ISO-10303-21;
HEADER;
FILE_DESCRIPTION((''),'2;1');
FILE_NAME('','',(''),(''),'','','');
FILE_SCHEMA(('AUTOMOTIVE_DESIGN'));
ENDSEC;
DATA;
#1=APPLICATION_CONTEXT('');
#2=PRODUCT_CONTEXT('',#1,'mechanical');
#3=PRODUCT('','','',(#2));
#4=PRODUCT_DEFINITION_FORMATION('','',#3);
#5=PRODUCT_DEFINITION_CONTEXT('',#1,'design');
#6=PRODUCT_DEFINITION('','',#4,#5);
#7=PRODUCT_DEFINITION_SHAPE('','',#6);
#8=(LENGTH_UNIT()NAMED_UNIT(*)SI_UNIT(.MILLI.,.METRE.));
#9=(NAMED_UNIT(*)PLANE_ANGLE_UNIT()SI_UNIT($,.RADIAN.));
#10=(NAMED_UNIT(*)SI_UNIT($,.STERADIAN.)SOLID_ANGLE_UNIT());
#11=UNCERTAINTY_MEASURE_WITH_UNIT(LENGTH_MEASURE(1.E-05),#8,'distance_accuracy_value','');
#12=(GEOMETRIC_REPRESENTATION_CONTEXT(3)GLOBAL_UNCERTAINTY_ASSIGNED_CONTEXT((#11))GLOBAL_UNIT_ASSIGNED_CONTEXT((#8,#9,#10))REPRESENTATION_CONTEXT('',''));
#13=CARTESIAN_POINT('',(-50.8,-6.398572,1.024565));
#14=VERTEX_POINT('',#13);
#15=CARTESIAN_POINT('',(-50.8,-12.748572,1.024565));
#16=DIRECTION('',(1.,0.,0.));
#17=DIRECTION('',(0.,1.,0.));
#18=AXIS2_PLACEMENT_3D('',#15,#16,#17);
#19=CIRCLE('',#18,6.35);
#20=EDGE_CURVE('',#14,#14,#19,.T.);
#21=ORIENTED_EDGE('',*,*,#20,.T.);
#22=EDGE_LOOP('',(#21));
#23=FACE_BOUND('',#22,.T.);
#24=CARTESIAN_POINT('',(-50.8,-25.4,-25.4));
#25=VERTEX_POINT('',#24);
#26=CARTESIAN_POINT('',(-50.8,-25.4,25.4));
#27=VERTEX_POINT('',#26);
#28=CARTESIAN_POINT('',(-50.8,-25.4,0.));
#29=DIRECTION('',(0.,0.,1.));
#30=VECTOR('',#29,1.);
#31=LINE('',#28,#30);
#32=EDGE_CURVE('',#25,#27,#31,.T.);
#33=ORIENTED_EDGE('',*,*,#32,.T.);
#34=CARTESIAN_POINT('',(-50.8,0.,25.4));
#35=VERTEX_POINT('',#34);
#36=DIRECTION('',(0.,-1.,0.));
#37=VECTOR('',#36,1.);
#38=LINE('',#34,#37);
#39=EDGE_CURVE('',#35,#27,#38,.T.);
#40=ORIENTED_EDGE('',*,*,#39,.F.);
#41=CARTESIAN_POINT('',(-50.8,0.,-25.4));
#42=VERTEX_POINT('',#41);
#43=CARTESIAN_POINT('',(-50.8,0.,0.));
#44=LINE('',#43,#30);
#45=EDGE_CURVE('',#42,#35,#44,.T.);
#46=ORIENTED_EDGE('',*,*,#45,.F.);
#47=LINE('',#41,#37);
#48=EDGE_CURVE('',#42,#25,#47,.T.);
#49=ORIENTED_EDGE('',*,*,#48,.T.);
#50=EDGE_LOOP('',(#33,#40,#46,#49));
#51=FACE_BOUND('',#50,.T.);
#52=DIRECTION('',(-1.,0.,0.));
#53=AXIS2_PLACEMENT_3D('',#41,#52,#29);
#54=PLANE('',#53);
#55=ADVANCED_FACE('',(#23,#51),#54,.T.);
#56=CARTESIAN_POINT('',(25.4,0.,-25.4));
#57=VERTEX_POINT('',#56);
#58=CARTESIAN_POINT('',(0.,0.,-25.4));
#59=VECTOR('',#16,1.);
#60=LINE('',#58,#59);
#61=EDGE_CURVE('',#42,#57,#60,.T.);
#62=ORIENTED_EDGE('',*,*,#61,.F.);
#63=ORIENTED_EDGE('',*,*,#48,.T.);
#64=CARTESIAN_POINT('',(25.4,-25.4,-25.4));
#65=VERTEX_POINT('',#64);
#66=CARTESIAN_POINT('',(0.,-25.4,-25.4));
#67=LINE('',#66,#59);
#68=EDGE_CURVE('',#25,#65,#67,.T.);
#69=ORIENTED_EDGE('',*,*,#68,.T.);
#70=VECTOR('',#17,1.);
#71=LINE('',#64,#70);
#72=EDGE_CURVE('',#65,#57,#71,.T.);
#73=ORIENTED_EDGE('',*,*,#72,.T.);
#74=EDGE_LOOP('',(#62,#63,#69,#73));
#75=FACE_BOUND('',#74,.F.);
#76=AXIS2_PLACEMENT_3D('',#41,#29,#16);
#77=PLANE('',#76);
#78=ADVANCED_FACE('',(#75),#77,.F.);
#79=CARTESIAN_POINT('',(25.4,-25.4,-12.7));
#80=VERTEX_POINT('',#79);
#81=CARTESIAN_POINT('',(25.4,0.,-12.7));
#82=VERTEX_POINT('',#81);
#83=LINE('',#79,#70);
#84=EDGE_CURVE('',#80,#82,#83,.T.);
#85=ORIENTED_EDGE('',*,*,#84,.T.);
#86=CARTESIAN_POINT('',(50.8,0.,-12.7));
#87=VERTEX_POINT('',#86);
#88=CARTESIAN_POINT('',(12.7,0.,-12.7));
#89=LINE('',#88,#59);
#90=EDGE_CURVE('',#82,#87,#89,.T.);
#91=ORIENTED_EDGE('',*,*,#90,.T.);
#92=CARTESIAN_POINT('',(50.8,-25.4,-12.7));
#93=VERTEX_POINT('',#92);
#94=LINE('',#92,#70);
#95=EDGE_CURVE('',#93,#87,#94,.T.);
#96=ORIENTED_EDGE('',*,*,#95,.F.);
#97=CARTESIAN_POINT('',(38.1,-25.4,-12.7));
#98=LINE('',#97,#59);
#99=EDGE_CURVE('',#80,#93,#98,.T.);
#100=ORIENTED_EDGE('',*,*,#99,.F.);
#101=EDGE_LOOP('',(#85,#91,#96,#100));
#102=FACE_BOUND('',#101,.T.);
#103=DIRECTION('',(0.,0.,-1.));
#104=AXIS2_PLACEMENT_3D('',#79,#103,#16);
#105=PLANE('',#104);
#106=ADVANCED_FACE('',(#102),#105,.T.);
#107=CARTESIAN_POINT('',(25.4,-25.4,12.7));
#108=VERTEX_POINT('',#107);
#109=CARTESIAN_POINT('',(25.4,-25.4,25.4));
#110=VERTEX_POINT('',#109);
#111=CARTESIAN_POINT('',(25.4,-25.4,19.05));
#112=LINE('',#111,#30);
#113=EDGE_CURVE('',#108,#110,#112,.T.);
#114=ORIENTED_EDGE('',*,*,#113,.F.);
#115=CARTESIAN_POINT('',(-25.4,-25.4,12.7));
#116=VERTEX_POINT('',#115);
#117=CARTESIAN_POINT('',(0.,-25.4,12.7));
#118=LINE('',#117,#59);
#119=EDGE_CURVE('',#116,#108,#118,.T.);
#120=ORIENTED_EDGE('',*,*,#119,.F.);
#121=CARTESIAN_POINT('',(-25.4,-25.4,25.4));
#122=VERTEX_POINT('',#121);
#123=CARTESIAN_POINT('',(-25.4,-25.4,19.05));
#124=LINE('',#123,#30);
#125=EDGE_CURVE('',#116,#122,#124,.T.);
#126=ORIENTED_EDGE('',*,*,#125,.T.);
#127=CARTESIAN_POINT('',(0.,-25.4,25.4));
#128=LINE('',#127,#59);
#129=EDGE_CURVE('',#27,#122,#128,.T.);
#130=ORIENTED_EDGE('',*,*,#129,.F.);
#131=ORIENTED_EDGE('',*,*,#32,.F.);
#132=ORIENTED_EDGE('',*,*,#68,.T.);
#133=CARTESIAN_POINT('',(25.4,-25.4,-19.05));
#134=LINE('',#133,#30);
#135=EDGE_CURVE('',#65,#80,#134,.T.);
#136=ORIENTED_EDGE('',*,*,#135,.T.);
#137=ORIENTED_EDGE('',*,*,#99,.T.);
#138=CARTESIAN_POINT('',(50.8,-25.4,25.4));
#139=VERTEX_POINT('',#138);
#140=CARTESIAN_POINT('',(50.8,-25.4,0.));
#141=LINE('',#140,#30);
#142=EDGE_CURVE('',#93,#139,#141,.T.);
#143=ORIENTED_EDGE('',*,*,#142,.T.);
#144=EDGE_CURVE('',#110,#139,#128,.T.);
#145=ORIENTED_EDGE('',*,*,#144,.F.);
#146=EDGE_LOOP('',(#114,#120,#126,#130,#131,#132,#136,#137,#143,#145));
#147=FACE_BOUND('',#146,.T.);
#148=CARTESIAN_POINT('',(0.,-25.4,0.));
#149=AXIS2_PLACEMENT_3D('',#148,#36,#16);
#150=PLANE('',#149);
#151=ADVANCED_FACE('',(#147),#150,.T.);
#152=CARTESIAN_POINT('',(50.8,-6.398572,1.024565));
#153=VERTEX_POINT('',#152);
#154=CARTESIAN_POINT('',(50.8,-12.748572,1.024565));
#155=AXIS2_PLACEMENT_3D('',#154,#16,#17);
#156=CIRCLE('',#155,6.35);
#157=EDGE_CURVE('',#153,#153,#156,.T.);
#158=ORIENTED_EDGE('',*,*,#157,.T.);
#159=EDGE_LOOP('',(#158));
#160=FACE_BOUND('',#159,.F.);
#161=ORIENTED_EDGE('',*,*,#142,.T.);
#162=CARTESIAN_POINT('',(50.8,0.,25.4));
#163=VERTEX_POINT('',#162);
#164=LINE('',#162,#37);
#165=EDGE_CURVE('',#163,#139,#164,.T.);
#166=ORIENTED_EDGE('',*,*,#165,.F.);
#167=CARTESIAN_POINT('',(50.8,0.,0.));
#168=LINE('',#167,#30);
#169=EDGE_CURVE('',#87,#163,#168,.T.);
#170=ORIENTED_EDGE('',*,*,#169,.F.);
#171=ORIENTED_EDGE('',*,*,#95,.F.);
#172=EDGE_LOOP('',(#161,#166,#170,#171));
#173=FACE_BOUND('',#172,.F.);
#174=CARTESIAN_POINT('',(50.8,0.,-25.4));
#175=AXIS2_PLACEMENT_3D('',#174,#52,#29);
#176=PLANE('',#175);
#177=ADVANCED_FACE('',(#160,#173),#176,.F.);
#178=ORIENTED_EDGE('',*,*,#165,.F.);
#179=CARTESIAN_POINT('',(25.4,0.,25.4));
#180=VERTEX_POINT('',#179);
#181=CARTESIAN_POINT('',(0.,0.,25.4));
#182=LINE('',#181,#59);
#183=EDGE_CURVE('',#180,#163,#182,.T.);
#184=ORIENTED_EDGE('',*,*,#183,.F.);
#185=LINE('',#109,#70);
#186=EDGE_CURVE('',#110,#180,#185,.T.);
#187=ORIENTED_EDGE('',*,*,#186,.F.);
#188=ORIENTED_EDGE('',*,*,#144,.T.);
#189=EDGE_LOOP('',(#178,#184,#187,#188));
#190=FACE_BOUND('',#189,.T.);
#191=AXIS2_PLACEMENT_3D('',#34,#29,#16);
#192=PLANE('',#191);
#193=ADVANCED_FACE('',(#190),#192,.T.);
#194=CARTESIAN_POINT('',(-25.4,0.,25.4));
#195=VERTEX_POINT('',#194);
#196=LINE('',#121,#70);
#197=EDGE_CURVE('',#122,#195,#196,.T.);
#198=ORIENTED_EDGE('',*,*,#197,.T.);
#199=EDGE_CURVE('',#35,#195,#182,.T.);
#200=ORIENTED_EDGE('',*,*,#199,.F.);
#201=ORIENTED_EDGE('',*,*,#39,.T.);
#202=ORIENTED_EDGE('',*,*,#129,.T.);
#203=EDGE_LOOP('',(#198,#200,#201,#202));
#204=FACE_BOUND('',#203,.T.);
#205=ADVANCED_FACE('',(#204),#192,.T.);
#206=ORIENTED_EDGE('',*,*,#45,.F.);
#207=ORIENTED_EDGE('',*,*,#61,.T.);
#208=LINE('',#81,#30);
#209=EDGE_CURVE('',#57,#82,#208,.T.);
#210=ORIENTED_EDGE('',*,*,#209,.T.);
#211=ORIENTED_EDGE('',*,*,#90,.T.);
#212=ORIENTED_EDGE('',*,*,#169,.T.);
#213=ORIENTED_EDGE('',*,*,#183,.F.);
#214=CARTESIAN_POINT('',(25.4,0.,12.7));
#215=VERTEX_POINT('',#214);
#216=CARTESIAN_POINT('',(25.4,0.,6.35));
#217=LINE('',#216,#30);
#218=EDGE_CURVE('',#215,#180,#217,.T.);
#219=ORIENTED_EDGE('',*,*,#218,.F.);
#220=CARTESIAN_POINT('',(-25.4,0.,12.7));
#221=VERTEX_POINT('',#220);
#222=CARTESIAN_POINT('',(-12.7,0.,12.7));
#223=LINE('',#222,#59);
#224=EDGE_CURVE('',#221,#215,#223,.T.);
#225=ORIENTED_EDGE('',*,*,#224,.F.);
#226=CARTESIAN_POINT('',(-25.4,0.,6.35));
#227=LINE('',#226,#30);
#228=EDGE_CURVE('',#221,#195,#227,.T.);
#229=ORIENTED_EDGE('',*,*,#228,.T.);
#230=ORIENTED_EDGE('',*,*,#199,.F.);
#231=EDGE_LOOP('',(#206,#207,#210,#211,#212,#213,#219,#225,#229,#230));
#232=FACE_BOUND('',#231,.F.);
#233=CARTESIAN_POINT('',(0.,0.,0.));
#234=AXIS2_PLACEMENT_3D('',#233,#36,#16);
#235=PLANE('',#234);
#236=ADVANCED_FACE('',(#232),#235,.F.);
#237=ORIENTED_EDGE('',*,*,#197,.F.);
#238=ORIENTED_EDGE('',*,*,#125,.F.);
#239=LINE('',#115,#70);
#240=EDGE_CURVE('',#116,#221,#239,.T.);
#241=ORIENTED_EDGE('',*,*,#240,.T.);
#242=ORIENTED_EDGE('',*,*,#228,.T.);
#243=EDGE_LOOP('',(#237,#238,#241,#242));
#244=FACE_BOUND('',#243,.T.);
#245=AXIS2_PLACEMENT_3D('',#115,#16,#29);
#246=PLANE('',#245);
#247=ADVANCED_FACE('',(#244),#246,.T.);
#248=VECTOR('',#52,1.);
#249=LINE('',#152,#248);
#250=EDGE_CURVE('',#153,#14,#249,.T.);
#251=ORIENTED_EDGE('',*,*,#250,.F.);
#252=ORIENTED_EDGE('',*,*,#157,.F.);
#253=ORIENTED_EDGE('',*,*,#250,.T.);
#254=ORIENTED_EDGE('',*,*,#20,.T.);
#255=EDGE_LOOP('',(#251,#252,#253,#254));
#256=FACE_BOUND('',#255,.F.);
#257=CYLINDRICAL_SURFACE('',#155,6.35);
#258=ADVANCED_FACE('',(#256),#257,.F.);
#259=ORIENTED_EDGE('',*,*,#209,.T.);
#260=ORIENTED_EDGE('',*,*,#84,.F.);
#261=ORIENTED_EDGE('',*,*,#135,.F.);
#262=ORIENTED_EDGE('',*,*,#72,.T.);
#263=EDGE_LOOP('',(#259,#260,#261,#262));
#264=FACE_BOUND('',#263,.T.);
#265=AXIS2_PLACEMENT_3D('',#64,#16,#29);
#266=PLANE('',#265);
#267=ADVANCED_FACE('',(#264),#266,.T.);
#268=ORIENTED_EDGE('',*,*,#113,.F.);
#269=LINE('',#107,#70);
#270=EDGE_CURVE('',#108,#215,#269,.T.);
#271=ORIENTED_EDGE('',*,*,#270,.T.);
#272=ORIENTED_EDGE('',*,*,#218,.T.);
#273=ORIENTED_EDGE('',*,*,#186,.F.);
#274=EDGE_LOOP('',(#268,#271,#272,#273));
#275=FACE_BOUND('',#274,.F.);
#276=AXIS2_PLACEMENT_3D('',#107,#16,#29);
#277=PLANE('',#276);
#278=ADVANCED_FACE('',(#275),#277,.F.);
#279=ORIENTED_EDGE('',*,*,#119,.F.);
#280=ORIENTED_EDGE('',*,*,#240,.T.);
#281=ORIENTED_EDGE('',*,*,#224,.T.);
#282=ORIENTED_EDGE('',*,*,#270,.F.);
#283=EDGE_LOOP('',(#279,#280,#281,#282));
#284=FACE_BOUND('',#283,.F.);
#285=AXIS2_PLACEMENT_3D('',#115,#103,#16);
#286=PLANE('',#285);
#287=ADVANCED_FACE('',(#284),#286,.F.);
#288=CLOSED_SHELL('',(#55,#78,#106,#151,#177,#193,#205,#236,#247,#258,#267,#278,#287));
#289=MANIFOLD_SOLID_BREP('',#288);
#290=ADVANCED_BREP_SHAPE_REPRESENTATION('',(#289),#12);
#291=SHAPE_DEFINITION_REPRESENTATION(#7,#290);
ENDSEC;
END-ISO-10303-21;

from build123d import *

# Parameters (mm, degrees)
F0_W     = 101.6
F0_H     = 50.8
F1_DEPTH = 25.4
F2_W     = 25.4
F2_H     = 12.7
F3_DEPTH = 25.401
F4_R     = 6.35
F5_DEPTH = 101.601
F6_W     = 50.8
F6_H     = 12.7
F7_DEPTH = 25.401


with BuildPart() as f1:
    # F0 (on Front) → F1 (new body)
    with BuildSketch(Plane.XZ):
        Rectangle(F0_W, F0_H)
    extrude(amount=F1_DEPTH)

    # F2 (on face) → F3 (cut, through all)
    with BuildSketch(Plane.XZ.offset(25.4)):
        with Locations((38.1, -19.05)):
            Rectangle(F2_W, F2_H)
    extrude(amount=-F3_DEPTH, mode=Mode.SUBTRACT)

    # F4 (on face) → F5 (cut, through all)
    with BuildSketch(Plane.YZ.offset(50.8)):
        with Locations((-12.748572, 1.024565)):
            Circle(F4_R)
    extrude(amount=-F5_DEPTH, mode=Mode.SUBTRACT)

    # F6 (on face) → F7 (cut, through all)
    with BuildSketch(Plane.XZ.offset(25.4)):
        with Locations((0, 19.05)):
            Rectangle(F6_W, F6_H)
    extrude(amount=-F7_DEPTH, mode=Mode.SUBTRACT)


solid = f1.part
